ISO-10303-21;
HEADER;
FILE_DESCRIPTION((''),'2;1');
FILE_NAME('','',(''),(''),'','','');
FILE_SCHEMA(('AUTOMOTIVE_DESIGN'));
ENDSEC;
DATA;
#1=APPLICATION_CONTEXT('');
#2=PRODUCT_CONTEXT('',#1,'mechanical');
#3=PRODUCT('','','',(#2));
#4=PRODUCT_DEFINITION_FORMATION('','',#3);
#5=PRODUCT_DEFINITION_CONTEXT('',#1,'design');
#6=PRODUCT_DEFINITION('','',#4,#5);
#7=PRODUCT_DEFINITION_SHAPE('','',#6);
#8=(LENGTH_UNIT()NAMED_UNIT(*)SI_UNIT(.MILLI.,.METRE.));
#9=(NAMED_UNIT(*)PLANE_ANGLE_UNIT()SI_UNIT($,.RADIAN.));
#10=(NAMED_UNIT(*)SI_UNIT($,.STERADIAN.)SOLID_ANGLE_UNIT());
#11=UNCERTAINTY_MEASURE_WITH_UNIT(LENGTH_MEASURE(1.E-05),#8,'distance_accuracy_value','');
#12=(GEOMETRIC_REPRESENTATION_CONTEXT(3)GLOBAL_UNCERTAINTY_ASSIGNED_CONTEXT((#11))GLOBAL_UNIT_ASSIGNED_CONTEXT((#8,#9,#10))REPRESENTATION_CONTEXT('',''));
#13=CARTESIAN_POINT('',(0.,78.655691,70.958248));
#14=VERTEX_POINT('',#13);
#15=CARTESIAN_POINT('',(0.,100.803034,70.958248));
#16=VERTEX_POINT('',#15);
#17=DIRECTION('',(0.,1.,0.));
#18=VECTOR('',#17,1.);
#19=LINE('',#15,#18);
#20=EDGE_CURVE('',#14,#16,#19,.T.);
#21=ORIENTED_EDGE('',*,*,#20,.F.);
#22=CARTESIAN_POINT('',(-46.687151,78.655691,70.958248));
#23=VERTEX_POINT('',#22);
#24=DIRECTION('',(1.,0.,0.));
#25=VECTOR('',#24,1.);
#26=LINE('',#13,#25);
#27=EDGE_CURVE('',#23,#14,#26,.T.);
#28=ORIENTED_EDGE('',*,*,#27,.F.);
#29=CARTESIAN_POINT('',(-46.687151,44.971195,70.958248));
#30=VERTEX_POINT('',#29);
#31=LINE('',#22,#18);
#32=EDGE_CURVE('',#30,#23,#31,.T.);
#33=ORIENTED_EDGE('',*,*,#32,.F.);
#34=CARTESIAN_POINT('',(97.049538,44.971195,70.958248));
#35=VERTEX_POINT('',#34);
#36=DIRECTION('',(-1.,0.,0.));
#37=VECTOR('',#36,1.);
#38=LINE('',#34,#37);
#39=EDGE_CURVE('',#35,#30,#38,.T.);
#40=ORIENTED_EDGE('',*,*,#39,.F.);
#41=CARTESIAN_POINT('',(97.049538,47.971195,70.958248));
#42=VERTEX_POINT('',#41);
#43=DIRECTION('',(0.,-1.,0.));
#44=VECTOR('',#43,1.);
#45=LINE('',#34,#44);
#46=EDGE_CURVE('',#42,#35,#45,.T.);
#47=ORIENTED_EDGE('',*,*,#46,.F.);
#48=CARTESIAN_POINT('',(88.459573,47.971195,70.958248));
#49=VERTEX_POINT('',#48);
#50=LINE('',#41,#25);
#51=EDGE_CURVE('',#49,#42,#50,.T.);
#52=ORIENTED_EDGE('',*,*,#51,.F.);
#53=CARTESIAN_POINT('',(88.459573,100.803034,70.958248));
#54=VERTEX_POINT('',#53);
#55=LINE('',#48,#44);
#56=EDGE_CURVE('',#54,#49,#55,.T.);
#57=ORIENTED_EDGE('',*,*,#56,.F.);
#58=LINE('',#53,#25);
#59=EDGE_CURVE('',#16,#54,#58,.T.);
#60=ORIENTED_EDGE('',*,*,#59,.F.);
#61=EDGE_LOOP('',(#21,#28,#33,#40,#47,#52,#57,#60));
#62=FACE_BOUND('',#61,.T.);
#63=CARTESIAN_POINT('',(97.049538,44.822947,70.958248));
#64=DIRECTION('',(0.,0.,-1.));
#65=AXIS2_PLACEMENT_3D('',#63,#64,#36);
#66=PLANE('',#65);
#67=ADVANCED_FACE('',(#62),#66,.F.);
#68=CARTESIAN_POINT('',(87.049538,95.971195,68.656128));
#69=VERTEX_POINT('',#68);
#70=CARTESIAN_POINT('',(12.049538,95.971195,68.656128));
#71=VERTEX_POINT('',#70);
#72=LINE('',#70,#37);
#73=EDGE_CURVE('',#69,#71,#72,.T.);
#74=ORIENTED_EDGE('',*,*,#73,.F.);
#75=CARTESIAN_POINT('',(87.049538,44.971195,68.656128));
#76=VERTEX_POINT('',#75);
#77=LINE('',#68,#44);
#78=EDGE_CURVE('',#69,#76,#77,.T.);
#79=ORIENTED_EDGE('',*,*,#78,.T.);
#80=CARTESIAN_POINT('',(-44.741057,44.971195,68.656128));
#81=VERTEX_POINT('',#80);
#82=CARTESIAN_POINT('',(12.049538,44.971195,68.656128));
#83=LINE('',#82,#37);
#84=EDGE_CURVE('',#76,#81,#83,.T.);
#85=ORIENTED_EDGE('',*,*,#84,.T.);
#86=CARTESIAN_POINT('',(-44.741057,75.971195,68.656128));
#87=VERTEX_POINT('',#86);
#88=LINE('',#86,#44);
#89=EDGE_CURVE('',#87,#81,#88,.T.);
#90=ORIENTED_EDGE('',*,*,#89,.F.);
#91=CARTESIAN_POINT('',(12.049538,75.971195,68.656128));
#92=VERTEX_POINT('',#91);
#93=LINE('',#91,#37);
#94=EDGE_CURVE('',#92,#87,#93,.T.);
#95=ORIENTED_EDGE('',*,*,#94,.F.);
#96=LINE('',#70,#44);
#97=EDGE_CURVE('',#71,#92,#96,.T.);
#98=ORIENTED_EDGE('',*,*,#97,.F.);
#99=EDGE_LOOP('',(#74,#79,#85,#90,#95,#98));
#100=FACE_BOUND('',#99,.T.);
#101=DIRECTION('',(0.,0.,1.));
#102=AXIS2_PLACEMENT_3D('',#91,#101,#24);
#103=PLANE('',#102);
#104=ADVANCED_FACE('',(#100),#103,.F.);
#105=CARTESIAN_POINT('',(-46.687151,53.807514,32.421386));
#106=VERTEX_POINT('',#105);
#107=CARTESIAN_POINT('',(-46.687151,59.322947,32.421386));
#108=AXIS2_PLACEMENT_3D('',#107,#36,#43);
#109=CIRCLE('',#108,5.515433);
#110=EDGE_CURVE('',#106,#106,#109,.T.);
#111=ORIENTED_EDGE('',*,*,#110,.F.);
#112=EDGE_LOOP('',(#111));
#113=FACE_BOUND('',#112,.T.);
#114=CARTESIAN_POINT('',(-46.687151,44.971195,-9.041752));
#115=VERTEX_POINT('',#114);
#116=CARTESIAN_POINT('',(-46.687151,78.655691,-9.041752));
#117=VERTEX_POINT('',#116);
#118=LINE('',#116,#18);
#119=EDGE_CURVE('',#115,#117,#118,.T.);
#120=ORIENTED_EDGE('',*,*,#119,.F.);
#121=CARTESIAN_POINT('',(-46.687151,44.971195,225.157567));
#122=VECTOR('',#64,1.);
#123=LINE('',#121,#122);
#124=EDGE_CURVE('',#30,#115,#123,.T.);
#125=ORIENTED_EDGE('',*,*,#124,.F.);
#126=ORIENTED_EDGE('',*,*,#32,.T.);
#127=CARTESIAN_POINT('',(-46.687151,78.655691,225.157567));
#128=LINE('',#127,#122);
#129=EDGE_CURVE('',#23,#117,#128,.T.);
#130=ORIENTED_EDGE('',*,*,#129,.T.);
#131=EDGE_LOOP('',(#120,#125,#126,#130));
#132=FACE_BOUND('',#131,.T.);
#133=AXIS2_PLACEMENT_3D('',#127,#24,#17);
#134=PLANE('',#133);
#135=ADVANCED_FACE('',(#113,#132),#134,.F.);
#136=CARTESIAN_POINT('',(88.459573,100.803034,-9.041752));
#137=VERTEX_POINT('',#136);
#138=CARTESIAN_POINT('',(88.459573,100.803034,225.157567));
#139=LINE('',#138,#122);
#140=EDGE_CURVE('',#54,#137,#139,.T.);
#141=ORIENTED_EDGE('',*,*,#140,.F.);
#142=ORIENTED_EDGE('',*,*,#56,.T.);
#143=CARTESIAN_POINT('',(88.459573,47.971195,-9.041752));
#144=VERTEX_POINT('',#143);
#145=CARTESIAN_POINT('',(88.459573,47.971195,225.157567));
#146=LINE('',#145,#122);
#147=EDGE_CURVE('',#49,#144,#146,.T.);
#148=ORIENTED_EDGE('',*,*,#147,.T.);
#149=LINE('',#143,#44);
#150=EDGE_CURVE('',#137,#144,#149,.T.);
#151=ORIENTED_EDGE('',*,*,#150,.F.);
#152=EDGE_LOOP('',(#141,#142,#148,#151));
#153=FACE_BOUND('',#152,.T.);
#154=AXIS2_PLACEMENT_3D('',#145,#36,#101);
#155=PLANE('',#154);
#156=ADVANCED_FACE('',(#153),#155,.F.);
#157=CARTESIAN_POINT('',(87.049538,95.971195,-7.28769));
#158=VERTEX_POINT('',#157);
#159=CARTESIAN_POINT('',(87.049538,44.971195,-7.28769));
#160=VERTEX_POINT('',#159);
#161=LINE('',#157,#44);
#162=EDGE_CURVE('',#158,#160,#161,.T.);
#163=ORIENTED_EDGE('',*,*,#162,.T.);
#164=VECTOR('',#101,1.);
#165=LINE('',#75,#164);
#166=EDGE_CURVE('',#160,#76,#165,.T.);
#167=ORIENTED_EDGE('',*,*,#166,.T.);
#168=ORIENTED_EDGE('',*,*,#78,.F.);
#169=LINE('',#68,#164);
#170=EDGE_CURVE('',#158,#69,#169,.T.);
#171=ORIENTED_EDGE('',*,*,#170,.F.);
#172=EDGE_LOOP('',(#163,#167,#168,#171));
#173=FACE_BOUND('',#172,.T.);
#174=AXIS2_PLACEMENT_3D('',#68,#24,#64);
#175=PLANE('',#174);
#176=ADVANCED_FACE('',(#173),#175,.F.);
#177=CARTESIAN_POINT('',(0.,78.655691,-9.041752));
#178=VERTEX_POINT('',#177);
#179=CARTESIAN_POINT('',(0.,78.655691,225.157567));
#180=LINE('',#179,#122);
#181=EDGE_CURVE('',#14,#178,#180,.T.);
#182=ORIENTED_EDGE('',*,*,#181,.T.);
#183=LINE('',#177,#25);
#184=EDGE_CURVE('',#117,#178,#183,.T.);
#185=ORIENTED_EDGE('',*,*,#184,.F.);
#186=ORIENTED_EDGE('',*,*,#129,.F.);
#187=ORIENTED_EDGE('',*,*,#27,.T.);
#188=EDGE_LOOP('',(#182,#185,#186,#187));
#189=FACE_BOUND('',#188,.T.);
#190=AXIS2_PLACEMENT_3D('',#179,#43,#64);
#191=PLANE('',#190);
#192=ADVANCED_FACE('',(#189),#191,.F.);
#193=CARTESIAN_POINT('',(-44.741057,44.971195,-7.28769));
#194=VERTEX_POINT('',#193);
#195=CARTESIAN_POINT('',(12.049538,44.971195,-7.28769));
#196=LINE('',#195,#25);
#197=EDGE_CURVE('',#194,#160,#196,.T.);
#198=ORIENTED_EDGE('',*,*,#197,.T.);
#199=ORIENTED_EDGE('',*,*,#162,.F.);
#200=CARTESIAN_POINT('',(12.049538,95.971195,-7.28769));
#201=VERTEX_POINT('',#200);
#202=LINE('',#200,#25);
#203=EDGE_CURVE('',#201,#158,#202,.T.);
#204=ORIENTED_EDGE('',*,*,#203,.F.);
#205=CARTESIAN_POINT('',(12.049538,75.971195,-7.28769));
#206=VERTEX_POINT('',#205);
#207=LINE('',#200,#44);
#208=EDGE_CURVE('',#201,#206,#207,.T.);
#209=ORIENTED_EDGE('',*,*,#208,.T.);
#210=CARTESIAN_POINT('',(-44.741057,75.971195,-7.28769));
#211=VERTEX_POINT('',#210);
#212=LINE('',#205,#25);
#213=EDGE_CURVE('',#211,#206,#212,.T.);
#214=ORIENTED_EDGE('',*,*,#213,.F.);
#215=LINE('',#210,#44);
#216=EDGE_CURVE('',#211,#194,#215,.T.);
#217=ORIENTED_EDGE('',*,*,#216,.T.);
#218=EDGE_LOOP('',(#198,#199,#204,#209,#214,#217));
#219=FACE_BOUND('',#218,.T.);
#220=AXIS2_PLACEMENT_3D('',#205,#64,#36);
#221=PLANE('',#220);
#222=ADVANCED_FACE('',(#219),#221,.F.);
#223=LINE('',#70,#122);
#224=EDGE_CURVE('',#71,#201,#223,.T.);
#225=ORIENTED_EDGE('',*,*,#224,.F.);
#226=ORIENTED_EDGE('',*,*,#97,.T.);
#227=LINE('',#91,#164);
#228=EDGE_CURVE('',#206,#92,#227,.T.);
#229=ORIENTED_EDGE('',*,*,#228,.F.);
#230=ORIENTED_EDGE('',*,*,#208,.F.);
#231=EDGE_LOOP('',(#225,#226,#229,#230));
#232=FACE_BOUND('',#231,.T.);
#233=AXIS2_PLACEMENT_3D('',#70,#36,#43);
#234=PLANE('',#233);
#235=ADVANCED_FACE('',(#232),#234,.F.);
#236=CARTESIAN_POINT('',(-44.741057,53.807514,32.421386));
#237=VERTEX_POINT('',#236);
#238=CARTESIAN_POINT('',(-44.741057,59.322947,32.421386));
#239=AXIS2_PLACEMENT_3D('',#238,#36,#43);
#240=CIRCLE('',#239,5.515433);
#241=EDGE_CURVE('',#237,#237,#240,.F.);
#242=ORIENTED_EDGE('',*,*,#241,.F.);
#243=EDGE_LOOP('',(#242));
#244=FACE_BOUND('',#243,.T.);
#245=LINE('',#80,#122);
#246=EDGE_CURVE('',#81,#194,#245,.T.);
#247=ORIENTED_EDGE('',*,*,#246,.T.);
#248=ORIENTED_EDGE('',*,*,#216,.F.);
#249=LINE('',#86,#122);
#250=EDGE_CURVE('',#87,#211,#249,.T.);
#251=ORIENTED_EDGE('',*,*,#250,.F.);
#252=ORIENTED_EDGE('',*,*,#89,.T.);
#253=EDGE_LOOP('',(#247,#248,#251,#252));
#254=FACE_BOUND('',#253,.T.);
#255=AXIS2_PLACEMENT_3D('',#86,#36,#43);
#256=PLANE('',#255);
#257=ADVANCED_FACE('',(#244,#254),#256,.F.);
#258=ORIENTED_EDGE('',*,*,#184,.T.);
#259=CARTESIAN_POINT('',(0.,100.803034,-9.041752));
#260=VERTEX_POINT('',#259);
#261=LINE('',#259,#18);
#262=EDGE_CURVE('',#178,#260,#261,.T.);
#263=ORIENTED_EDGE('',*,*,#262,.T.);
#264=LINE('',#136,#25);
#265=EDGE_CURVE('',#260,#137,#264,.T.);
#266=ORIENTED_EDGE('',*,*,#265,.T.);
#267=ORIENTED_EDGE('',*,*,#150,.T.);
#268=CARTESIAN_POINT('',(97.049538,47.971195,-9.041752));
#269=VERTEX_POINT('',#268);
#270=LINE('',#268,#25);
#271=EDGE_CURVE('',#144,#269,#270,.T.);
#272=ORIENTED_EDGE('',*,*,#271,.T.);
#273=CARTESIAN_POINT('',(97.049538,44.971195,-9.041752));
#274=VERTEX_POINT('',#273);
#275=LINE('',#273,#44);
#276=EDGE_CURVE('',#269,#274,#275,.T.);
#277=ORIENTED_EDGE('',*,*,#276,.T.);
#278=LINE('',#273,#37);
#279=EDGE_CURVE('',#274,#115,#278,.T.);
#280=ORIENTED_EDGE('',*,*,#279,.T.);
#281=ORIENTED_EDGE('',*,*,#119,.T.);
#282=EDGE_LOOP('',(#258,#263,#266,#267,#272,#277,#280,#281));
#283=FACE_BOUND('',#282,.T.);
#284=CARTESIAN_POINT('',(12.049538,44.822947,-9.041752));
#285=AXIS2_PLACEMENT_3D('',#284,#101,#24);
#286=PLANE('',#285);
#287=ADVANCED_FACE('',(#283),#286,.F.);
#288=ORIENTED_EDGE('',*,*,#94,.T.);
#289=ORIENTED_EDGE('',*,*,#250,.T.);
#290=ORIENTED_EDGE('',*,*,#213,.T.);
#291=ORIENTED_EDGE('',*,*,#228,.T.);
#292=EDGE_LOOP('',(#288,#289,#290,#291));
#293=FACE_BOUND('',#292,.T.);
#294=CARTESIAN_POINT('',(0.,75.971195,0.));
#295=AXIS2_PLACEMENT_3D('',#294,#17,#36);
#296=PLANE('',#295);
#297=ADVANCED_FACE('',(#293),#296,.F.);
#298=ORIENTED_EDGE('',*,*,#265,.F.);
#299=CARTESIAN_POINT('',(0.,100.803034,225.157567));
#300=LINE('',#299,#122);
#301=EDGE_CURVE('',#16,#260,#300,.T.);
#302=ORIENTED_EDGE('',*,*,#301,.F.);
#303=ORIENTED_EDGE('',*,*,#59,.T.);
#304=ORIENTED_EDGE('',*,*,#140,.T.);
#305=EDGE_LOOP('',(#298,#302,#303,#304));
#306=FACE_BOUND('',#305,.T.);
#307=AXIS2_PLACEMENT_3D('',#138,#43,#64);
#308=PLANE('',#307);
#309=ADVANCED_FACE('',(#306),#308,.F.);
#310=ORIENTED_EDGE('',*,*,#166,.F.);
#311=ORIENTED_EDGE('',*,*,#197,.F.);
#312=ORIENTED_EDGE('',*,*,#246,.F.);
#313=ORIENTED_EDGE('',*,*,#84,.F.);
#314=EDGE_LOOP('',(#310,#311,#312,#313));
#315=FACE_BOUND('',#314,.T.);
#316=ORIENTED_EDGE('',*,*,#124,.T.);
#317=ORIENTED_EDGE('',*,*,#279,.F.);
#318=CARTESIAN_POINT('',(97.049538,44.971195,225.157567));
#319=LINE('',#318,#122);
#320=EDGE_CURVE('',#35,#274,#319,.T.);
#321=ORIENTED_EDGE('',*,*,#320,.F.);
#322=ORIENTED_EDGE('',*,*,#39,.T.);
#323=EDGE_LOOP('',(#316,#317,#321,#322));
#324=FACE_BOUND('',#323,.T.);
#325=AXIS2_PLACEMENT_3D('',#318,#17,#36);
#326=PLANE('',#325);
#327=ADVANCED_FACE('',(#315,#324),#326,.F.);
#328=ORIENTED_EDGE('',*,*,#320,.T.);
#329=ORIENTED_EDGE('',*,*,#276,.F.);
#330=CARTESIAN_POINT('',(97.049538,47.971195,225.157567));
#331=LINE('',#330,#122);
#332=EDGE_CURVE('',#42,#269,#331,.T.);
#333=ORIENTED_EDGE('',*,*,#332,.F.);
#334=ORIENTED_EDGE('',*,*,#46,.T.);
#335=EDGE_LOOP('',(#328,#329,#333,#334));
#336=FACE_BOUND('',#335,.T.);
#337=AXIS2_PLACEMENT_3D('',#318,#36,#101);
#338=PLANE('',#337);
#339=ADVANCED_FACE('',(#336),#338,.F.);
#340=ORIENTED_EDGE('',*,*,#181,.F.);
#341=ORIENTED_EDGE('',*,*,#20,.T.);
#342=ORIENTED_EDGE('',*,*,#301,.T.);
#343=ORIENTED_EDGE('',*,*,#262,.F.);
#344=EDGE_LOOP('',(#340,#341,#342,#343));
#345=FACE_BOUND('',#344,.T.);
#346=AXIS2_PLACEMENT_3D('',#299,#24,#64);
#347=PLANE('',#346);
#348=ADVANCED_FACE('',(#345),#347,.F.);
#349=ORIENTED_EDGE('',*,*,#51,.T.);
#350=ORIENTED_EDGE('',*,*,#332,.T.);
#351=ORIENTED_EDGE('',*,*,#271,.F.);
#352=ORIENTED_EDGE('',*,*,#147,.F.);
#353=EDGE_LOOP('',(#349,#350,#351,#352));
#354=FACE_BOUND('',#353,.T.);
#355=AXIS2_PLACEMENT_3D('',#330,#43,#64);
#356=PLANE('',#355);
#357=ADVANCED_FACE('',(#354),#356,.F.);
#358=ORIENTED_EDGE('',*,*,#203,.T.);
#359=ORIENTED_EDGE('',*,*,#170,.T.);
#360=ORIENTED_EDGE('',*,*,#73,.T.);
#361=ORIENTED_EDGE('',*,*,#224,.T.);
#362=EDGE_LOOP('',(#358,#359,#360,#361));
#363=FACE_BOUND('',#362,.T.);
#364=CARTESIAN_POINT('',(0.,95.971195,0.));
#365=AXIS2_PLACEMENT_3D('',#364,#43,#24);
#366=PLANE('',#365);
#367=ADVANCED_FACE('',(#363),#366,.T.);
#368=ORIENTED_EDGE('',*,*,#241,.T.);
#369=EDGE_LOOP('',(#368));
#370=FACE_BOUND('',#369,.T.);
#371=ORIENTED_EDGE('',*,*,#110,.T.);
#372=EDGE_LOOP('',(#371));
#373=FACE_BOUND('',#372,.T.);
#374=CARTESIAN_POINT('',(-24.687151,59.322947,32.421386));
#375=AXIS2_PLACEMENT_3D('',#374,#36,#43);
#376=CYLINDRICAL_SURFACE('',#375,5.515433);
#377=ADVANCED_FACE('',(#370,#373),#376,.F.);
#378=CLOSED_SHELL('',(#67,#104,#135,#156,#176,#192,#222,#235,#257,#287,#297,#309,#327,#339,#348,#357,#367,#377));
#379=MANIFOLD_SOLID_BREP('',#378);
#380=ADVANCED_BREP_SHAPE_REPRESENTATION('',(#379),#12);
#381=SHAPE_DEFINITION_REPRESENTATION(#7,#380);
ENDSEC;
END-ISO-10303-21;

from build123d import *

# Parameters (mm, degrees)
BOSS_EXTRUDE1_DEPTH      = 70.958248
BOSS_EXTRUDE1_DEPTH_BACK = 9.041752
SKETCH3_R                = 5.515432893
CUT_EXTRUDE1_DEPTH       = 22
SKETCH4_W                = 56.790594551
SKETCH4_H                = 75.94381824
CUT_EXTRUDE2_DEPTH       = 31
SKETCH5_W                = 75
SKETCH5_H                = 75.94381824
CUT_EXTRUDE3_DEPTH       = 51


with BuildPart() as part:
    # Sketch1 → Boss-Extrude1 (new, two sides: drawn at the far end of the back side and taken through both)
    with BuildSketch(Plane.XY.offset(-BOSS_EXTRUDE1_DEPTH_BACK)):
        Polygon((97.04953752, 44.971194673), (97.04953752, 47.971194673), (88.459572821, 47.971194673), (88.459572821, 100.803034254), (0, 100.803034254), (0, 78.655691188), (-46.687150509, 78.655691188), (-46.687150509, 44.971194673), align=None)
    extrude(amount=BOSS_EXTRUDE1_DEPTH + BOSS_EXTRUDE1_DEPTH_BACK)

    # Sketch3 → Cut-Extrude1 (cut)
    with BuildSketch(Plane.ZY.offset(46.687150509)):
        with Locations(Location((32.421386427, 59.322946804, 0), (0, 0, 270))):
            Circle(SKETCH3_R)
    extrude(amount=-CUT_EXTRUDE1_DEPTH, mode=Mode.SUBTRACT)

    # Sketch4 → Cut-Extrude2 (cut)
    with BuildSketch(Plane(origin=(0, 44.971194673, 0), x_dir=(-1, 0, 0), z_dir=(0, -1, 0))):
        with Locations((16.345759756, -30.684219126)):
            Rectangle(SKETCH4_W, SKETCH4_H)
    extrude(amount=-CUT_EXTRUDE2_DEPTH, mode=Mode.SUBTRACT)

    # Sketch5 → Cut-Extrude3 (cut)
    with BuildSketch(Plane(origin=(0, 44.971194673, 0), x_dir=(-1, 0, 0), z_dir=(0, -1, 0))):
        with Locations((-49.54953752, -30.684219126)):
            Rectangle(SKETCH5_W, SKETCH5_H)
    extrude(amount=-CUT_EXTRUDE3_DEPTH, mode=Mode.SUBTRACT)


solid = part.part
